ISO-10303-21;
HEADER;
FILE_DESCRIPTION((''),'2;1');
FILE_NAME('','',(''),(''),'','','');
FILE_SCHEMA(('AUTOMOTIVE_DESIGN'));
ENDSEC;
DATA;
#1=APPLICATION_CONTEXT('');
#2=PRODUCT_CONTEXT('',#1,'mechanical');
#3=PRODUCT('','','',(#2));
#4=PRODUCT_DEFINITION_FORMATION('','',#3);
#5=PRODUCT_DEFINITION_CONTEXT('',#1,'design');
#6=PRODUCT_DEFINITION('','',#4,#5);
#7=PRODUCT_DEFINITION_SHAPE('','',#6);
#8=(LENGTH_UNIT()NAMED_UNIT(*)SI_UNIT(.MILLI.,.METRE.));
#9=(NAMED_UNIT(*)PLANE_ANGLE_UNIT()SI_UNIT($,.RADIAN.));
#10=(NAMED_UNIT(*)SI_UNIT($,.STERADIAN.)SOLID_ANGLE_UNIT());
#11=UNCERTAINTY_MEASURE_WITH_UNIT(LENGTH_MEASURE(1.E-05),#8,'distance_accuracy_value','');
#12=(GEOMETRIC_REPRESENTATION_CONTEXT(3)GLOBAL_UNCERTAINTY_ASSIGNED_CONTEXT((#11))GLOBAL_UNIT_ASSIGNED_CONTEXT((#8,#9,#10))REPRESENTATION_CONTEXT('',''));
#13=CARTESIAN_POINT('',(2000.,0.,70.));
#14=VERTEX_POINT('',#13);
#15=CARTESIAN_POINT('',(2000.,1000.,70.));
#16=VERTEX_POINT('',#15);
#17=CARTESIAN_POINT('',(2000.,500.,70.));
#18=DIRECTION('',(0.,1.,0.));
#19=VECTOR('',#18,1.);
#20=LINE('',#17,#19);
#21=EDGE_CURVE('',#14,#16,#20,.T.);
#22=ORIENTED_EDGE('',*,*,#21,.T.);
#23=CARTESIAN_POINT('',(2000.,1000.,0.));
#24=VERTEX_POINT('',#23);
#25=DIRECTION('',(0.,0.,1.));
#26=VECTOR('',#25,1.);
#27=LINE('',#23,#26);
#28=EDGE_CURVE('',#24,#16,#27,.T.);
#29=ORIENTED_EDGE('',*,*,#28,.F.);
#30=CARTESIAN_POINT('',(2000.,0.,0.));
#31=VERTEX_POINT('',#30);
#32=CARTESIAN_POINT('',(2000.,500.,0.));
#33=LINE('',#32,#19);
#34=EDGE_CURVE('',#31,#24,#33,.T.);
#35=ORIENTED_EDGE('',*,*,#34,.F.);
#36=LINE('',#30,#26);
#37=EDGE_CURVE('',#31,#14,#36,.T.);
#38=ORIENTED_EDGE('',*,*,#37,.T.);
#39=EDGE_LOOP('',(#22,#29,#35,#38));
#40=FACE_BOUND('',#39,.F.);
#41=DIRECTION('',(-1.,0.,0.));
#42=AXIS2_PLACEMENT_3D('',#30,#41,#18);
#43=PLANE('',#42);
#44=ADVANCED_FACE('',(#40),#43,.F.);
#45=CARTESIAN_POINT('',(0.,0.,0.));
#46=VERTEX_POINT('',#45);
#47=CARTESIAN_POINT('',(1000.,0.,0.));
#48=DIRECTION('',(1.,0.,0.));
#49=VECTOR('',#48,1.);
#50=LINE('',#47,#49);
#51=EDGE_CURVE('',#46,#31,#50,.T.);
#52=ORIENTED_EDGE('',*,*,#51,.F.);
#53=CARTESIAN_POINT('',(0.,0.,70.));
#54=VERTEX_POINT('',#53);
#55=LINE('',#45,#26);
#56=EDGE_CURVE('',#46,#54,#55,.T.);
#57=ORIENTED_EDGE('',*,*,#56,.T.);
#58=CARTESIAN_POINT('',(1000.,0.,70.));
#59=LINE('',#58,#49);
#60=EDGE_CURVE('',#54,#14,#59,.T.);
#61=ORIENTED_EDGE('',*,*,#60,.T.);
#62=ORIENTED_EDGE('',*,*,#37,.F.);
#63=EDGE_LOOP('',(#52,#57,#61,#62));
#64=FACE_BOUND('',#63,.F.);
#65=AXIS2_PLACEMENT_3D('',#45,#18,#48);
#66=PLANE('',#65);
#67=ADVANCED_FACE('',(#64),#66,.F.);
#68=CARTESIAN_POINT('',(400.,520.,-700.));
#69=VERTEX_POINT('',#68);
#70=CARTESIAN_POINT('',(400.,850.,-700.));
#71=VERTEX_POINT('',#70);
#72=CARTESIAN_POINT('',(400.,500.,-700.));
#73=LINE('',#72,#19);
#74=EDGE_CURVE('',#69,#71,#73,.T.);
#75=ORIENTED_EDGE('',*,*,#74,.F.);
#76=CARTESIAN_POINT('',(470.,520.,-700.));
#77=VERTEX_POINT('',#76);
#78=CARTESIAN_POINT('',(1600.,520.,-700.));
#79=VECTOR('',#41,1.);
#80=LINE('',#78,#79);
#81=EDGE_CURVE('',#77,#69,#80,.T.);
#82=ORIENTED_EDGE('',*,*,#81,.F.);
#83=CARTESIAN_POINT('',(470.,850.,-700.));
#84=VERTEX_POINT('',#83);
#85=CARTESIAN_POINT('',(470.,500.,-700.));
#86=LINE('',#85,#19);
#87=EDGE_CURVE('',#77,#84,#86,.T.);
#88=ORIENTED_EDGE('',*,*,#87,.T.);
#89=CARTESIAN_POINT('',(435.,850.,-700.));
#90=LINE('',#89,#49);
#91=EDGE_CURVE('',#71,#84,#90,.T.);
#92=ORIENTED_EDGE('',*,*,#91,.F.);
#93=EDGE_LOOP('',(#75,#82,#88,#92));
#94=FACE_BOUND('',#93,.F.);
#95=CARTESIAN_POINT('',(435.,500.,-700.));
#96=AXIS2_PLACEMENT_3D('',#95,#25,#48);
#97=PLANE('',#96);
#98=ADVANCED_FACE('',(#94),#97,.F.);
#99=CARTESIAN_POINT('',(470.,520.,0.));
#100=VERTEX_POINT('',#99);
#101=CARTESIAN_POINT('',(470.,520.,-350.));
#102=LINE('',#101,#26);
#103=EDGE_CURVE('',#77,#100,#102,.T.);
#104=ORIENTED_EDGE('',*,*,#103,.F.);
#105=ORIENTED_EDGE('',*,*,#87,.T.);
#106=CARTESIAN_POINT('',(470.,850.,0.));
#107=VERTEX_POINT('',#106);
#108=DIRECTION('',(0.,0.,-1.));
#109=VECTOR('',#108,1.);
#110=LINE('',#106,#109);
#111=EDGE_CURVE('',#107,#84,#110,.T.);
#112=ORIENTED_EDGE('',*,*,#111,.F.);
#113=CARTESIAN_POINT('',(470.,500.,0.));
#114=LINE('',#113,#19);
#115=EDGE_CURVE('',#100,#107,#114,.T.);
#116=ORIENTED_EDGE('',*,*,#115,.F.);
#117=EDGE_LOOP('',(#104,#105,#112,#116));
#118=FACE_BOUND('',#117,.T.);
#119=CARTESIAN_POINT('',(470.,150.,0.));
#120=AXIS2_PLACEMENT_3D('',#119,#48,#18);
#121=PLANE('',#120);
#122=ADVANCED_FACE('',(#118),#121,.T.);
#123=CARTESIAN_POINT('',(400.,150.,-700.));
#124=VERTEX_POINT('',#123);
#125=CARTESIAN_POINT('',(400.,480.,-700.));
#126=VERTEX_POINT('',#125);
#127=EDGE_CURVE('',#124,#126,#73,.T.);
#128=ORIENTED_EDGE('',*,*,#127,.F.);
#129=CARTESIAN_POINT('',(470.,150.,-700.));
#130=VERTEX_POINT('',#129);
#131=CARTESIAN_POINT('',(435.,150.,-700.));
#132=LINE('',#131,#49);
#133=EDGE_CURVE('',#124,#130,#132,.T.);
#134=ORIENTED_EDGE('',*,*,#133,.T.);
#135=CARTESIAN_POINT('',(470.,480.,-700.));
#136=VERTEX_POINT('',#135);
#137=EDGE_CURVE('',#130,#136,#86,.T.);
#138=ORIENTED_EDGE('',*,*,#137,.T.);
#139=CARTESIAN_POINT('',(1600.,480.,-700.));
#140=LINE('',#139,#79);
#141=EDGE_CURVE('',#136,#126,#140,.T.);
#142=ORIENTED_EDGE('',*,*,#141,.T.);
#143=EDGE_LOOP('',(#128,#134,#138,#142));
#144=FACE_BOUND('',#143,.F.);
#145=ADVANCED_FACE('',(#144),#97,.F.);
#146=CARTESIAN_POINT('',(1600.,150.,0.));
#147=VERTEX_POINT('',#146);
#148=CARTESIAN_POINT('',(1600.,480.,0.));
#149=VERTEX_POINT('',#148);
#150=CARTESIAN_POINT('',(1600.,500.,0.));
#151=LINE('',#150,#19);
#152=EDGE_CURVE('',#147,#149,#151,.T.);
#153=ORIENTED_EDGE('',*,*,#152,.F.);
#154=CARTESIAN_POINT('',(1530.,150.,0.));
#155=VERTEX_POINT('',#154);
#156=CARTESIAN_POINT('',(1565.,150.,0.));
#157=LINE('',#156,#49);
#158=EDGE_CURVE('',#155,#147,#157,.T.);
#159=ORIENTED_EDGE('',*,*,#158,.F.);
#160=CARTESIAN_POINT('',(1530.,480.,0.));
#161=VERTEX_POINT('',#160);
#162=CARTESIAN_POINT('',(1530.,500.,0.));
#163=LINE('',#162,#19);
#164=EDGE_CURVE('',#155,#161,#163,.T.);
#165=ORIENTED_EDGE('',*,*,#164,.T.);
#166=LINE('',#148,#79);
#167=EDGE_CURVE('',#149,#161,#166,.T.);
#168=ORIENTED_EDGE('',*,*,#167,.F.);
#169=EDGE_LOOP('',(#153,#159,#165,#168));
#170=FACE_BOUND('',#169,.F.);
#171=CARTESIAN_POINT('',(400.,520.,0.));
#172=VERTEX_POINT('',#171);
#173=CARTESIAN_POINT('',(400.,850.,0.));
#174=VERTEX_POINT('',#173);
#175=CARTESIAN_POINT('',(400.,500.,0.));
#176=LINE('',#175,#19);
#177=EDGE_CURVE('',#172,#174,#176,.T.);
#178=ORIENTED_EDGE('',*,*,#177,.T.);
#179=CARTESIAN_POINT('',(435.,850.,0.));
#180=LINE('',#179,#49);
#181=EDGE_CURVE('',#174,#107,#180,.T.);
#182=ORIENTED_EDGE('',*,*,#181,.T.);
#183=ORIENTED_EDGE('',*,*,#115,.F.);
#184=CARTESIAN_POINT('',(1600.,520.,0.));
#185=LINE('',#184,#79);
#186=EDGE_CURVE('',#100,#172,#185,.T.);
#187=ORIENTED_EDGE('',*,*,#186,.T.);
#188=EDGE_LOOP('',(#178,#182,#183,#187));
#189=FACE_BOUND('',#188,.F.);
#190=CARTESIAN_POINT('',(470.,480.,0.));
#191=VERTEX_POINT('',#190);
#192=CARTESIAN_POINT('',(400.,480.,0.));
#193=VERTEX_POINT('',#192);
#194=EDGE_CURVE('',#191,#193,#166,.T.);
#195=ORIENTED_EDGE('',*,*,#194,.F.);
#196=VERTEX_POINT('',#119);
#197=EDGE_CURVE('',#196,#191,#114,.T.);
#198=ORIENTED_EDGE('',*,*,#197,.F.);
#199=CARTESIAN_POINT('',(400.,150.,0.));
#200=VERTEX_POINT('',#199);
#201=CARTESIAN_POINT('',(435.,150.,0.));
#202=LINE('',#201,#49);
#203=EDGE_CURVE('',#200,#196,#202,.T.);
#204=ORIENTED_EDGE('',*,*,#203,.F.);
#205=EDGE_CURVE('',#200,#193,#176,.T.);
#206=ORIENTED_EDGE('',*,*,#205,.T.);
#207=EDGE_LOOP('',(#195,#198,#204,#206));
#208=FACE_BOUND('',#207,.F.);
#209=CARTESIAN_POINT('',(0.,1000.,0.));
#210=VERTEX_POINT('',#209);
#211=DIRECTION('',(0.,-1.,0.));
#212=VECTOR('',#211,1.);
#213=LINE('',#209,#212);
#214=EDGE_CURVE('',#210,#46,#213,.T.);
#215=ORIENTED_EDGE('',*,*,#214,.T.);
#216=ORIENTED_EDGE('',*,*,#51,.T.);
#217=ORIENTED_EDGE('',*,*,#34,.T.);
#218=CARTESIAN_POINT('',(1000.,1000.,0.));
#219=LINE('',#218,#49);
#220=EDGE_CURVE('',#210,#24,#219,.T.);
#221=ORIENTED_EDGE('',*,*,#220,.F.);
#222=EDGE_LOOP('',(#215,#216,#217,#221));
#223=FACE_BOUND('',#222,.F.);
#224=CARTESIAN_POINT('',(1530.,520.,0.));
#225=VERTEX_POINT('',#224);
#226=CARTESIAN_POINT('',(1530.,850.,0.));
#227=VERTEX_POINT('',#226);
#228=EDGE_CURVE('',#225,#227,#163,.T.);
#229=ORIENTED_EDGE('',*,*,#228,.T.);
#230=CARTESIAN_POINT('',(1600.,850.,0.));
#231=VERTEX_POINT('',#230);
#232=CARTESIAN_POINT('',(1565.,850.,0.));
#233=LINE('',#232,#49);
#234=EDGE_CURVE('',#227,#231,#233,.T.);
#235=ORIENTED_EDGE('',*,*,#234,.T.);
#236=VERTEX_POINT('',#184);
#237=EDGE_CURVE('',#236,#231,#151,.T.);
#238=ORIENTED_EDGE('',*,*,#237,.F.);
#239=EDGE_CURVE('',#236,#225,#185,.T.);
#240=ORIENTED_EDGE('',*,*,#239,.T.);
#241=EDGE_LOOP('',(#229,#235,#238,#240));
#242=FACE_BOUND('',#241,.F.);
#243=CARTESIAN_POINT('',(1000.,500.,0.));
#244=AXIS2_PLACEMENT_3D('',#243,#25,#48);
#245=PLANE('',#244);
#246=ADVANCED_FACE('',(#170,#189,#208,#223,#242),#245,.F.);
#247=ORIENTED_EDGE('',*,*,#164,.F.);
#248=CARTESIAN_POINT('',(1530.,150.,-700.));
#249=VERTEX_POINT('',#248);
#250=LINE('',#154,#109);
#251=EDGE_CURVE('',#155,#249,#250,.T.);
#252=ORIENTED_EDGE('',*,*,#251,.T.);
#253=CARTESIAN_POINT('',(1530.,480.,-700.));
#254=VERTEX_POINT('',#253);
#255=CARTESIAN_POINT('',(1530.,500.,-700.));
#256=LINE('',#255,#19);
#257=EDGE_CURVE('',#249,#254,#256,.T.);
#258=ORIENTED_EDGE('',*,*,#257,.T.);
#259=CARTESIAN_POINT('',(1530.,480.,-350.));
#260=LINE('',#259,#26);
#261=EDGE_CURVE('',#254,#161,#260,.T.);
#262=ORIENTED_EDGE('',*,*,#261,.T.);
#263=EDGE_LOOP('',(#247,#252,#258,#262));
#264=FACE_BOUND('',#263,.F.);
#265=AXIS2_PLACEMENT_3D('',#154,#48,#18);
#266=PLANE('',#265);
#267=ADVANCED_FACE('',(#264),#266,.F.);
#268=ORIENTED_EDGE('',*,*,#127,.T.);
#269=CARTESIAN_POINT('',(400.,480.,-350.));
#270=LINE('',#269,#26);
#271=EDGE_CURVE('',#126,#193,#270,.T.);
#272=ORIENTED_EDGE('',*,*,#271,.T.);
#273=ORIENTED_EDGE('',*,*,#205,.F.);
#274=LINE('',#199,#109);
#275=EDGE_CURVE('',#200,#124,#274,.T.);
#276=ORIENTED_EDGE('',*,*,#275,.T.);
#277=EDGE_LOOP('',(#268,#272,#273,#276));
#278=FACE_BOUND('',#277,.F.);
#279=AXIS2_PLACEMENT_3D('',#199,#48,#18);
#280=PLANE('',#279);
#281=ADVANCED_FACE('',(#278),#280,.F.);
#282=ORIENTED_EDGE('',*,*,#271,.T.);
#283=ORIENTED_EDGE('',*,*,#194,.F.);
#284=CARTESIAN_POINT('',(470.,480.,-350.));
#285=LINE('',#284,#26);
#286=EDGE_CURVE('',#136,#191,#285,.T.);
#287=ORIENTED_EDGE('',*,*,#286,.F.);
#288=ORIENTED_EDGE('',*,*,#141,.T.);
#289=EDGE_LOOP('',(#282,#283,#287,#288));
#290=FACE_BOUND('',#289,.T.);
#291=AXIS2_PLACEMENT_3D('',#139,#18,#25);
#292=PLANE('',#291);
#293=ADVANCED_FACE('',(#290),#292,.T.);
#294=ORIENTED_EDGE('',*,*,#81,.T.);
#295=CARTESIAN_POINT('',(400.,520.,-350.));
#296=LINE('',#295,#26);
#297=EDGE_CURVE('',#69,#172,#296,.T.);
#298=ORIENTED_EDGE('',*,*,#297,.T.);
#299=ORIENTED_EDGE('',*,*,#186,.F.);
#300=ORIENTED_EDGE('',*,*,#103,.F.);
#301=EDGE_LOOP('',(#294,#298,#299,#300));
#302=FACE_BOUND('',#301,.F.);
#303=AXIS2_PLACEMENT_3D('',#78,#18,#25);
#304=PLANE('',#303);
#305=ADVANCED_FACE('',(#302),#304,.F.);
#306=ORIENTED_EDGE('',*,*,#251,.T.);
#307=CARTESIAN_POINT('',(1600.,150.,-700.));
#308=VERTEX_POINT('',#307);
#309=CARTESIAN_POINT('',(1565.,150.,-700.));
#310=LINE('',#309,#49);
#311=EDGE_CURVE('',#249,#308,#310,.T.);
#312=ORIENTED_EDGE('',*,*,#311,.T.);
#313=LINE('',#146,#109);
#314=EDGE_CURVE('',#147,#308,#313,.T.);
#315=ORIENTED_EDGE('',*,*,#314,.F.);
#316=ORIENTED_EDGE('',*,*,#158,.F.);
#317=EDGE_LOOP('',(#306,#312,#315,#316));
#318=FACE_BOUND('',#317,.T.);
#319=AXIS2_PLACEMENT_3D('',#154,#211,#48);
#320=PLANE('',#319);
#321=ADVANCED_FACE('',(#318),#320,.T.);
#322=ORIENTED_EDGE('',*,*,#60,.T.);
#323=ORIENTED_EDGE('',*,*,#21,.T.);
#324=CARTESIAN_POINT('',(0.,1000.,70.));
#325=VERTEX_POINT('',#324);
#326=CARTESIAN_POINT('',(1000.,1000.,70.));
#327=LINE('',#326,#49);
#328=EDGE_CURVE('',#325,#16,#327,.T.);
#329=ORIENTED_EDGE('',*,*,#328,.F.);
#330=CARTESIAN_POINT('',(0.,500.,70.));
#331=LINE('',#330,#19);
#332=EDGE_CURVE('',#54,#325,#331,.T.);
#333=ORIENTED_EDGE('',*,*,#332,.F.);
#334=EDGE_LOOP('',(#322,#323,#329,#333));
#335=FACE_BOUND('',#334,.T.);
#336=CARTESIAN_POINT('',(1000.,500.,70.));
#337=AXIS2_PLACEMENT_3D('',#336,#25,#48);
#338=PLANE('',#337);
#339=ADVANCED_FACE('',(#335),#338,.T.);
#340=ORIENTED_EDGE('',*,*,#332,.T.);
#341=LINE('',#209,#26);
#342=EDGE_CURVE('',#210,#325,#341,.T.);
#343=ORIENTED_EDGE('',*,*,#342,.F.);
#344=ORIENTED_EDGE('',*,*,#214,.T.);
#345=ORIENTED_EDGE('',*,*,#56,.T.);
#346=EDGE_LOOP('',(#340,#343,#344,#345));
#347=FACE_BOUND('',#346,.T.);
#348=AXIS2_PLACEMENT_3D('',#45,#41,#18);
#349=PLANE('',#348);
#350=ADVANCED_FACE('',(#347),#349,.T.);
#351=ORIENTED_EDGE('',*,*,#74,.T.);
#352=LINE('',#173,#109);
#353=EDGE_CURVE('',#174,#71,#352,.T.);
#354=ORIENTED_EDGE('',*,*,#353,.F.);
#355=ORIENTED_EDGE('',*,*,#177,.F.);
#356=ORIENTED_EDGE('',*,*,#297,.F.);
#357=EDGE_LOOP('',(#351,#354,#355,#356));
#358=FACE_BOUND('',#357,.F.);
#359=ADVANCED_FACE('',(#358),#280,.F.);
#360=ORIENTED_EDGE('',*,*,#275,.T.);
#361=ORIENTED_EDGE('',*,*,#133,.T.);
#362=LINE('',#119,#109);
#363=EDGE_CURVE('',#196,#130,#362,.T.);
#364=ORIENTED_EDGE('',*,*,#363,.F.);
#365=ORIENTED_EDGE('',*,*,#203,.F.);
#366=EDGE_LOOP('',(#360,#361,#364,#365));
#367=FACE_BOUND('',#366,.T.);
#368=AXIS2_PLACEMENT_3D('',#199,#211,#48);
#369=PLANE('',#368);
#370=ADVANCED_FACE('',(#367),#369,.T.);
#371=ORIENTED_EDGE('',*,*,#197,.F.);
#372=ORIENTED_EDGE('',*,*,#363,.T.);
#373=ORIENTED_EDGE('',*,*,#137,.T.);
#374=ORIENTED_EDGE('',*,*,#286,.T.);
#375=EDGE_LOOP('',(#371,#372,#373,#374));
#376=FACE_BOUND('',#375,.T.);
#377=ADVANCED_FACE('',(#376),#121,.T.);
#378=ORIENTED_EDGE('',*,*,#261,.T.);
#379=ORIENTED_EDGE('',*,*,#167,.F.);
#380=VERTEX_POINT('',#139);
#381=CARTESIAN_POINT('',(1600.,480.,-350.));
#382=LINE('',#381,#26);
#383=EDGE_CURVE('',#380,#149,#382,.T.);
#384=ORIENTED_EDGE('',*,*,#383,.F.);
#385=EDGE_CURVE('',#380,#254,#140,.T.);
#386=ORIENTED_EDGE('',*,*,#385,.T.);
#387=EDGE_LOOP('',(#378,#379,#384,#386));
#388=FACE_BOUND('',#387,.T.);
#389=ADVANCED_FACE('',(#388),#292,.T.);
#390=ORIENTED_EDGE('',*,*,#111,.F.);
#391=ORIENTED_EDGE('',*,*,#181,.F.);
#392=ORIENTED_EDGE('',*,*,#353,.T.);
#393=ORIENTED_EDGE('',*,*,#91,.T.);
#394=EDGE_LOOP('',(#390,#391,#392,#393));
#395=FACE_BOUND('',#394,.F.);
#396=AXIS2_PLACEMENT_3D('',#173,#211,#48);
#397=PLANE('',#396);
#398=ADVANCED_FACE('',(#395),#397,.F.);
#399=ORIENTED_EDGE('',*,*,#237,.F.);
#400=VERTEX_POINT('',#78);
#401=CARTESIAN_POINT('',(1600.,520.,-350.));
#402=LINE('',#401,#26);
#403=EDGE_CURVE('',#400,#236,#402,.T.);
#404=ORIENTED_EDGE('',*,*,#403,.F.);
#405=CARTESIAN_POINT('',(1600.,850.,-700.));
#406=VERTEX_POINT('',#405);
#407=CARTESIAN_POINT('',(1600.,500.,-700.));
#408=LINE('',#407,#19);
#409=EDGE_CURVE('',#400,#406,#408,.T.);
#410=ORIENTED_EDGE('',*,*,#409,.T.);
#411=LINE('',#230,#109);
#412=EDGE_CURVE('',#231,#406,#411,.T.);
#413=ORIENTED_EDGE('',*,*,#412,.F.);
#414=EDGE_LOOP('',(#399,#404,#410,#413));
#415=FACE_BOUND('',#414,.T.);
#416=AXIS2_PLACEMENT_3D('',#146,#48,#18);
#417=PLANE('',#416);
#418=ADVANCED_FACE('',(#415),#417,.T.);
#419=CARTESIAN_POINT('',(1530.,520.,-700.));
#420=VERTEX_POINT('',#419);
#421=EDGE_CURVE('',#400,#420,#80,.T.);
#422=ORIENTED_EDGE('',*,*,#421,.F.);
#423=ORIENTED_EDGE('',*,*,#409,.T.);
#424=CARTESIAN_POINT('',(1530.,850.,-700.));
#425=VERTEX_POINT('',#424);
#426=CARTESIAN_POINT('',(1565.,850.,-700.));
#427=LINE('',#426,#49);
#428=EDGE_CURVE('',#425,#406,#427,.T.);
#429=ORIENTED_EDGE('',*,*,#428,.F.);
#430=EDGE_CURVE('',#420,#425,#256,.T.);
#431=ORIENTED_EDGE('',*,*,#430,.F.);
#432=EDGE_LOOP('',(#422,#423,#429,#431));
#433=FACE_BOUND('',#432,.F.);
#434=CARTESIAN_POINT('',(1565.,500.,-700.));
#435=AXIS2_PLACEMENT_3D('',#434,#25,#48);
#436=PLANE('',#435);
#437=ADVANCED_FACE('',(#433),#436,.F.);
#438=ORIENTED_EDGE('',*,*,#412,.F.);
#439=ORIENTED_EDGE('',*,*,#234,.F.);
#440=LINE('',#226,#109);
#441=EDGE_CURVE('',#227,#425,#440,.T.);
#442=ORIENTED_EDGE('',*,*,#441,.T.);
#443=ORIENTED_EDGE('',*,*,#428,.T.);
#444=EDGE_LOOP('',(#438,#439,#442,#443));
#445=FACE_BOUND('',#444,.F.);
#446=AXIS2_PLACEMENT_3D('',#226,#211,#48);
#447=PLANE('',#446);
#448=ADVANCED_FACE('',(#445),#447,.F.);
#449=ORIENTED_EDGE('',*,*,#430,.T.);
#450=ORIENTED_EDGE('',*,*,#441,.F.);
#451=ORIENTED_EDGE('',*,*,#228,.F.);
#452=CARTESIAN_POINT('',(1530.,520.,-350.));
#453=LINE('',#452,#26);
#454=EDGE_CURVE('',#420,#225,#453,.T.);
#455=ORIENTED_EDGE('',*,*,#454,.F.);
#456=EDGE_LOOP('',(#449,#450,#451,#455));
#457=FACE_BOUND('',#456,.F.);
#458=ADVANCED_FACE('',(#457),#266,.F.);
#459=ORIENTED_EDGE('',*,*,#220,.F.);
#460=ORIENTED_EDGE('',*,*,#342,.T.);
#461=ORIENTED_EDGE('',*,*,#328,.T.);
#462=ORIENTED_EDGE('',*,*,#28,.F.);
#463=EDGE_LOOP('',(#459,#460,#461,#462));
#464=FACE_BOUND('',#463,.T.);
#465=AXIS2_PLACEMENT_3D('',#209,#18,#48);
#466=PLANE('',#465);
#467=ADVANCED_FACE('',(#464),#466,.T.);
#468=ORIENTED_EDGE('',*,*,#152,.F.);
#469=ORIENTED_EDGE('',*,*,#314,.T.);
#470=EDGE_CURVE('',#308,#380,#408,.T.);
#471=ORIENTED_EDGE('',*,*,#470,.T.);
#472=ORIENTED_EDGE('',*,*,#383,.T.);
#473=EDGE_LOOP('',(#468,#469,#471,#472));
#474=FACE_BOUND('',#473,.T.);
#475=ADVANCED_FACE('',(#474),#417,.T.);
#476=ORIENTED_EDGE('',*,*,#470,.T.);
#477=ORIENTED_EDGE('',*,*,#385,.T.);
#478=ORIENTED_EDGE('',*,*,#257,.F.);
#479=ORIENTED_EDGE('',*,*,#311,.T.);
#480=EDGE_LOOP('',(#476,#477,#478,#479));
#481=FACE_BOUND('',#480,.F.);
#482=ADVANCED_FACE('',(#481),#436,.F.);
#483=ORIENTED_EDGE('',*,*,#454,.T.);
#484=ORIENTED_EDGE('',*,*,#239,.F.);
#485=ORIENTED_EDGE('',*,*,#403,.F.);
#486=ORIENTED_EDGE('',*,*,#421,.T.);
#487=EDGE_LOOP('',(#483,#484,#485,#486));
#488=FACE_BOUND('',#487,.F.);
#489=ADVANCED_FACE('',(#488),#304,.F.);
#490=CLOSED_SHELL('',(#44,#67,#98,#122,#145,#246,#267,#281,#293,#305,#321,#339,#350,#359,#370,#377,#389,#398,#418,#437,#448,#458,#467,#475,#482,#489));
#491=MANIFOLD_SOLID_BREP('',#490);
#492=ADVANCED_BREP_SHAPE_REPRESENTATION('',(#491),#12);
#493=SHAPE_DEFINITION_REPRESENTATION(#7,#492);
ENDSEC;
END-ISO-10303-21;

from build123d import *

# Parameters (mm, degrees)
F0_W     = 2000
F0_H     = 1000
F1_DEPTH = 70
F2_W     = 70
F2_H     = 700
F3_DEPTH = 700
F4_W     = 40
F4_H     = 700
F5_DEPTH = 1600.001


with BuildPart() as f1:
    # F0 (on Top) → F1 (new body)
    with BuildSketch(Plane.XY):
        with Locations((1000, 500)):
            Rectangle(F0_W, F0_H)
    extrude(amount=F1_DEPTH)

    # F2 (on Top) → F3 (join)
    with BuildSketch(Plane.XY):
        with Locations((435, 500)):
            Rectangle(F2_W, F2_H)
        with Locations((1565, 500)):
            Rectangle(F2_W, F2_H)
    extrude(amount=-F3_DEPTH)

    # F4 (on face) → F5 (cut, through all)
    with BuildSketch(Plane.YZ.offset(1600)):
        with Locations((500, -350)):
            Rectangle(F4_W, F4_H)
    extrude(amount=-F5_DEPTH, mode=Mode.SUBTRACT)


solid = f1.part
